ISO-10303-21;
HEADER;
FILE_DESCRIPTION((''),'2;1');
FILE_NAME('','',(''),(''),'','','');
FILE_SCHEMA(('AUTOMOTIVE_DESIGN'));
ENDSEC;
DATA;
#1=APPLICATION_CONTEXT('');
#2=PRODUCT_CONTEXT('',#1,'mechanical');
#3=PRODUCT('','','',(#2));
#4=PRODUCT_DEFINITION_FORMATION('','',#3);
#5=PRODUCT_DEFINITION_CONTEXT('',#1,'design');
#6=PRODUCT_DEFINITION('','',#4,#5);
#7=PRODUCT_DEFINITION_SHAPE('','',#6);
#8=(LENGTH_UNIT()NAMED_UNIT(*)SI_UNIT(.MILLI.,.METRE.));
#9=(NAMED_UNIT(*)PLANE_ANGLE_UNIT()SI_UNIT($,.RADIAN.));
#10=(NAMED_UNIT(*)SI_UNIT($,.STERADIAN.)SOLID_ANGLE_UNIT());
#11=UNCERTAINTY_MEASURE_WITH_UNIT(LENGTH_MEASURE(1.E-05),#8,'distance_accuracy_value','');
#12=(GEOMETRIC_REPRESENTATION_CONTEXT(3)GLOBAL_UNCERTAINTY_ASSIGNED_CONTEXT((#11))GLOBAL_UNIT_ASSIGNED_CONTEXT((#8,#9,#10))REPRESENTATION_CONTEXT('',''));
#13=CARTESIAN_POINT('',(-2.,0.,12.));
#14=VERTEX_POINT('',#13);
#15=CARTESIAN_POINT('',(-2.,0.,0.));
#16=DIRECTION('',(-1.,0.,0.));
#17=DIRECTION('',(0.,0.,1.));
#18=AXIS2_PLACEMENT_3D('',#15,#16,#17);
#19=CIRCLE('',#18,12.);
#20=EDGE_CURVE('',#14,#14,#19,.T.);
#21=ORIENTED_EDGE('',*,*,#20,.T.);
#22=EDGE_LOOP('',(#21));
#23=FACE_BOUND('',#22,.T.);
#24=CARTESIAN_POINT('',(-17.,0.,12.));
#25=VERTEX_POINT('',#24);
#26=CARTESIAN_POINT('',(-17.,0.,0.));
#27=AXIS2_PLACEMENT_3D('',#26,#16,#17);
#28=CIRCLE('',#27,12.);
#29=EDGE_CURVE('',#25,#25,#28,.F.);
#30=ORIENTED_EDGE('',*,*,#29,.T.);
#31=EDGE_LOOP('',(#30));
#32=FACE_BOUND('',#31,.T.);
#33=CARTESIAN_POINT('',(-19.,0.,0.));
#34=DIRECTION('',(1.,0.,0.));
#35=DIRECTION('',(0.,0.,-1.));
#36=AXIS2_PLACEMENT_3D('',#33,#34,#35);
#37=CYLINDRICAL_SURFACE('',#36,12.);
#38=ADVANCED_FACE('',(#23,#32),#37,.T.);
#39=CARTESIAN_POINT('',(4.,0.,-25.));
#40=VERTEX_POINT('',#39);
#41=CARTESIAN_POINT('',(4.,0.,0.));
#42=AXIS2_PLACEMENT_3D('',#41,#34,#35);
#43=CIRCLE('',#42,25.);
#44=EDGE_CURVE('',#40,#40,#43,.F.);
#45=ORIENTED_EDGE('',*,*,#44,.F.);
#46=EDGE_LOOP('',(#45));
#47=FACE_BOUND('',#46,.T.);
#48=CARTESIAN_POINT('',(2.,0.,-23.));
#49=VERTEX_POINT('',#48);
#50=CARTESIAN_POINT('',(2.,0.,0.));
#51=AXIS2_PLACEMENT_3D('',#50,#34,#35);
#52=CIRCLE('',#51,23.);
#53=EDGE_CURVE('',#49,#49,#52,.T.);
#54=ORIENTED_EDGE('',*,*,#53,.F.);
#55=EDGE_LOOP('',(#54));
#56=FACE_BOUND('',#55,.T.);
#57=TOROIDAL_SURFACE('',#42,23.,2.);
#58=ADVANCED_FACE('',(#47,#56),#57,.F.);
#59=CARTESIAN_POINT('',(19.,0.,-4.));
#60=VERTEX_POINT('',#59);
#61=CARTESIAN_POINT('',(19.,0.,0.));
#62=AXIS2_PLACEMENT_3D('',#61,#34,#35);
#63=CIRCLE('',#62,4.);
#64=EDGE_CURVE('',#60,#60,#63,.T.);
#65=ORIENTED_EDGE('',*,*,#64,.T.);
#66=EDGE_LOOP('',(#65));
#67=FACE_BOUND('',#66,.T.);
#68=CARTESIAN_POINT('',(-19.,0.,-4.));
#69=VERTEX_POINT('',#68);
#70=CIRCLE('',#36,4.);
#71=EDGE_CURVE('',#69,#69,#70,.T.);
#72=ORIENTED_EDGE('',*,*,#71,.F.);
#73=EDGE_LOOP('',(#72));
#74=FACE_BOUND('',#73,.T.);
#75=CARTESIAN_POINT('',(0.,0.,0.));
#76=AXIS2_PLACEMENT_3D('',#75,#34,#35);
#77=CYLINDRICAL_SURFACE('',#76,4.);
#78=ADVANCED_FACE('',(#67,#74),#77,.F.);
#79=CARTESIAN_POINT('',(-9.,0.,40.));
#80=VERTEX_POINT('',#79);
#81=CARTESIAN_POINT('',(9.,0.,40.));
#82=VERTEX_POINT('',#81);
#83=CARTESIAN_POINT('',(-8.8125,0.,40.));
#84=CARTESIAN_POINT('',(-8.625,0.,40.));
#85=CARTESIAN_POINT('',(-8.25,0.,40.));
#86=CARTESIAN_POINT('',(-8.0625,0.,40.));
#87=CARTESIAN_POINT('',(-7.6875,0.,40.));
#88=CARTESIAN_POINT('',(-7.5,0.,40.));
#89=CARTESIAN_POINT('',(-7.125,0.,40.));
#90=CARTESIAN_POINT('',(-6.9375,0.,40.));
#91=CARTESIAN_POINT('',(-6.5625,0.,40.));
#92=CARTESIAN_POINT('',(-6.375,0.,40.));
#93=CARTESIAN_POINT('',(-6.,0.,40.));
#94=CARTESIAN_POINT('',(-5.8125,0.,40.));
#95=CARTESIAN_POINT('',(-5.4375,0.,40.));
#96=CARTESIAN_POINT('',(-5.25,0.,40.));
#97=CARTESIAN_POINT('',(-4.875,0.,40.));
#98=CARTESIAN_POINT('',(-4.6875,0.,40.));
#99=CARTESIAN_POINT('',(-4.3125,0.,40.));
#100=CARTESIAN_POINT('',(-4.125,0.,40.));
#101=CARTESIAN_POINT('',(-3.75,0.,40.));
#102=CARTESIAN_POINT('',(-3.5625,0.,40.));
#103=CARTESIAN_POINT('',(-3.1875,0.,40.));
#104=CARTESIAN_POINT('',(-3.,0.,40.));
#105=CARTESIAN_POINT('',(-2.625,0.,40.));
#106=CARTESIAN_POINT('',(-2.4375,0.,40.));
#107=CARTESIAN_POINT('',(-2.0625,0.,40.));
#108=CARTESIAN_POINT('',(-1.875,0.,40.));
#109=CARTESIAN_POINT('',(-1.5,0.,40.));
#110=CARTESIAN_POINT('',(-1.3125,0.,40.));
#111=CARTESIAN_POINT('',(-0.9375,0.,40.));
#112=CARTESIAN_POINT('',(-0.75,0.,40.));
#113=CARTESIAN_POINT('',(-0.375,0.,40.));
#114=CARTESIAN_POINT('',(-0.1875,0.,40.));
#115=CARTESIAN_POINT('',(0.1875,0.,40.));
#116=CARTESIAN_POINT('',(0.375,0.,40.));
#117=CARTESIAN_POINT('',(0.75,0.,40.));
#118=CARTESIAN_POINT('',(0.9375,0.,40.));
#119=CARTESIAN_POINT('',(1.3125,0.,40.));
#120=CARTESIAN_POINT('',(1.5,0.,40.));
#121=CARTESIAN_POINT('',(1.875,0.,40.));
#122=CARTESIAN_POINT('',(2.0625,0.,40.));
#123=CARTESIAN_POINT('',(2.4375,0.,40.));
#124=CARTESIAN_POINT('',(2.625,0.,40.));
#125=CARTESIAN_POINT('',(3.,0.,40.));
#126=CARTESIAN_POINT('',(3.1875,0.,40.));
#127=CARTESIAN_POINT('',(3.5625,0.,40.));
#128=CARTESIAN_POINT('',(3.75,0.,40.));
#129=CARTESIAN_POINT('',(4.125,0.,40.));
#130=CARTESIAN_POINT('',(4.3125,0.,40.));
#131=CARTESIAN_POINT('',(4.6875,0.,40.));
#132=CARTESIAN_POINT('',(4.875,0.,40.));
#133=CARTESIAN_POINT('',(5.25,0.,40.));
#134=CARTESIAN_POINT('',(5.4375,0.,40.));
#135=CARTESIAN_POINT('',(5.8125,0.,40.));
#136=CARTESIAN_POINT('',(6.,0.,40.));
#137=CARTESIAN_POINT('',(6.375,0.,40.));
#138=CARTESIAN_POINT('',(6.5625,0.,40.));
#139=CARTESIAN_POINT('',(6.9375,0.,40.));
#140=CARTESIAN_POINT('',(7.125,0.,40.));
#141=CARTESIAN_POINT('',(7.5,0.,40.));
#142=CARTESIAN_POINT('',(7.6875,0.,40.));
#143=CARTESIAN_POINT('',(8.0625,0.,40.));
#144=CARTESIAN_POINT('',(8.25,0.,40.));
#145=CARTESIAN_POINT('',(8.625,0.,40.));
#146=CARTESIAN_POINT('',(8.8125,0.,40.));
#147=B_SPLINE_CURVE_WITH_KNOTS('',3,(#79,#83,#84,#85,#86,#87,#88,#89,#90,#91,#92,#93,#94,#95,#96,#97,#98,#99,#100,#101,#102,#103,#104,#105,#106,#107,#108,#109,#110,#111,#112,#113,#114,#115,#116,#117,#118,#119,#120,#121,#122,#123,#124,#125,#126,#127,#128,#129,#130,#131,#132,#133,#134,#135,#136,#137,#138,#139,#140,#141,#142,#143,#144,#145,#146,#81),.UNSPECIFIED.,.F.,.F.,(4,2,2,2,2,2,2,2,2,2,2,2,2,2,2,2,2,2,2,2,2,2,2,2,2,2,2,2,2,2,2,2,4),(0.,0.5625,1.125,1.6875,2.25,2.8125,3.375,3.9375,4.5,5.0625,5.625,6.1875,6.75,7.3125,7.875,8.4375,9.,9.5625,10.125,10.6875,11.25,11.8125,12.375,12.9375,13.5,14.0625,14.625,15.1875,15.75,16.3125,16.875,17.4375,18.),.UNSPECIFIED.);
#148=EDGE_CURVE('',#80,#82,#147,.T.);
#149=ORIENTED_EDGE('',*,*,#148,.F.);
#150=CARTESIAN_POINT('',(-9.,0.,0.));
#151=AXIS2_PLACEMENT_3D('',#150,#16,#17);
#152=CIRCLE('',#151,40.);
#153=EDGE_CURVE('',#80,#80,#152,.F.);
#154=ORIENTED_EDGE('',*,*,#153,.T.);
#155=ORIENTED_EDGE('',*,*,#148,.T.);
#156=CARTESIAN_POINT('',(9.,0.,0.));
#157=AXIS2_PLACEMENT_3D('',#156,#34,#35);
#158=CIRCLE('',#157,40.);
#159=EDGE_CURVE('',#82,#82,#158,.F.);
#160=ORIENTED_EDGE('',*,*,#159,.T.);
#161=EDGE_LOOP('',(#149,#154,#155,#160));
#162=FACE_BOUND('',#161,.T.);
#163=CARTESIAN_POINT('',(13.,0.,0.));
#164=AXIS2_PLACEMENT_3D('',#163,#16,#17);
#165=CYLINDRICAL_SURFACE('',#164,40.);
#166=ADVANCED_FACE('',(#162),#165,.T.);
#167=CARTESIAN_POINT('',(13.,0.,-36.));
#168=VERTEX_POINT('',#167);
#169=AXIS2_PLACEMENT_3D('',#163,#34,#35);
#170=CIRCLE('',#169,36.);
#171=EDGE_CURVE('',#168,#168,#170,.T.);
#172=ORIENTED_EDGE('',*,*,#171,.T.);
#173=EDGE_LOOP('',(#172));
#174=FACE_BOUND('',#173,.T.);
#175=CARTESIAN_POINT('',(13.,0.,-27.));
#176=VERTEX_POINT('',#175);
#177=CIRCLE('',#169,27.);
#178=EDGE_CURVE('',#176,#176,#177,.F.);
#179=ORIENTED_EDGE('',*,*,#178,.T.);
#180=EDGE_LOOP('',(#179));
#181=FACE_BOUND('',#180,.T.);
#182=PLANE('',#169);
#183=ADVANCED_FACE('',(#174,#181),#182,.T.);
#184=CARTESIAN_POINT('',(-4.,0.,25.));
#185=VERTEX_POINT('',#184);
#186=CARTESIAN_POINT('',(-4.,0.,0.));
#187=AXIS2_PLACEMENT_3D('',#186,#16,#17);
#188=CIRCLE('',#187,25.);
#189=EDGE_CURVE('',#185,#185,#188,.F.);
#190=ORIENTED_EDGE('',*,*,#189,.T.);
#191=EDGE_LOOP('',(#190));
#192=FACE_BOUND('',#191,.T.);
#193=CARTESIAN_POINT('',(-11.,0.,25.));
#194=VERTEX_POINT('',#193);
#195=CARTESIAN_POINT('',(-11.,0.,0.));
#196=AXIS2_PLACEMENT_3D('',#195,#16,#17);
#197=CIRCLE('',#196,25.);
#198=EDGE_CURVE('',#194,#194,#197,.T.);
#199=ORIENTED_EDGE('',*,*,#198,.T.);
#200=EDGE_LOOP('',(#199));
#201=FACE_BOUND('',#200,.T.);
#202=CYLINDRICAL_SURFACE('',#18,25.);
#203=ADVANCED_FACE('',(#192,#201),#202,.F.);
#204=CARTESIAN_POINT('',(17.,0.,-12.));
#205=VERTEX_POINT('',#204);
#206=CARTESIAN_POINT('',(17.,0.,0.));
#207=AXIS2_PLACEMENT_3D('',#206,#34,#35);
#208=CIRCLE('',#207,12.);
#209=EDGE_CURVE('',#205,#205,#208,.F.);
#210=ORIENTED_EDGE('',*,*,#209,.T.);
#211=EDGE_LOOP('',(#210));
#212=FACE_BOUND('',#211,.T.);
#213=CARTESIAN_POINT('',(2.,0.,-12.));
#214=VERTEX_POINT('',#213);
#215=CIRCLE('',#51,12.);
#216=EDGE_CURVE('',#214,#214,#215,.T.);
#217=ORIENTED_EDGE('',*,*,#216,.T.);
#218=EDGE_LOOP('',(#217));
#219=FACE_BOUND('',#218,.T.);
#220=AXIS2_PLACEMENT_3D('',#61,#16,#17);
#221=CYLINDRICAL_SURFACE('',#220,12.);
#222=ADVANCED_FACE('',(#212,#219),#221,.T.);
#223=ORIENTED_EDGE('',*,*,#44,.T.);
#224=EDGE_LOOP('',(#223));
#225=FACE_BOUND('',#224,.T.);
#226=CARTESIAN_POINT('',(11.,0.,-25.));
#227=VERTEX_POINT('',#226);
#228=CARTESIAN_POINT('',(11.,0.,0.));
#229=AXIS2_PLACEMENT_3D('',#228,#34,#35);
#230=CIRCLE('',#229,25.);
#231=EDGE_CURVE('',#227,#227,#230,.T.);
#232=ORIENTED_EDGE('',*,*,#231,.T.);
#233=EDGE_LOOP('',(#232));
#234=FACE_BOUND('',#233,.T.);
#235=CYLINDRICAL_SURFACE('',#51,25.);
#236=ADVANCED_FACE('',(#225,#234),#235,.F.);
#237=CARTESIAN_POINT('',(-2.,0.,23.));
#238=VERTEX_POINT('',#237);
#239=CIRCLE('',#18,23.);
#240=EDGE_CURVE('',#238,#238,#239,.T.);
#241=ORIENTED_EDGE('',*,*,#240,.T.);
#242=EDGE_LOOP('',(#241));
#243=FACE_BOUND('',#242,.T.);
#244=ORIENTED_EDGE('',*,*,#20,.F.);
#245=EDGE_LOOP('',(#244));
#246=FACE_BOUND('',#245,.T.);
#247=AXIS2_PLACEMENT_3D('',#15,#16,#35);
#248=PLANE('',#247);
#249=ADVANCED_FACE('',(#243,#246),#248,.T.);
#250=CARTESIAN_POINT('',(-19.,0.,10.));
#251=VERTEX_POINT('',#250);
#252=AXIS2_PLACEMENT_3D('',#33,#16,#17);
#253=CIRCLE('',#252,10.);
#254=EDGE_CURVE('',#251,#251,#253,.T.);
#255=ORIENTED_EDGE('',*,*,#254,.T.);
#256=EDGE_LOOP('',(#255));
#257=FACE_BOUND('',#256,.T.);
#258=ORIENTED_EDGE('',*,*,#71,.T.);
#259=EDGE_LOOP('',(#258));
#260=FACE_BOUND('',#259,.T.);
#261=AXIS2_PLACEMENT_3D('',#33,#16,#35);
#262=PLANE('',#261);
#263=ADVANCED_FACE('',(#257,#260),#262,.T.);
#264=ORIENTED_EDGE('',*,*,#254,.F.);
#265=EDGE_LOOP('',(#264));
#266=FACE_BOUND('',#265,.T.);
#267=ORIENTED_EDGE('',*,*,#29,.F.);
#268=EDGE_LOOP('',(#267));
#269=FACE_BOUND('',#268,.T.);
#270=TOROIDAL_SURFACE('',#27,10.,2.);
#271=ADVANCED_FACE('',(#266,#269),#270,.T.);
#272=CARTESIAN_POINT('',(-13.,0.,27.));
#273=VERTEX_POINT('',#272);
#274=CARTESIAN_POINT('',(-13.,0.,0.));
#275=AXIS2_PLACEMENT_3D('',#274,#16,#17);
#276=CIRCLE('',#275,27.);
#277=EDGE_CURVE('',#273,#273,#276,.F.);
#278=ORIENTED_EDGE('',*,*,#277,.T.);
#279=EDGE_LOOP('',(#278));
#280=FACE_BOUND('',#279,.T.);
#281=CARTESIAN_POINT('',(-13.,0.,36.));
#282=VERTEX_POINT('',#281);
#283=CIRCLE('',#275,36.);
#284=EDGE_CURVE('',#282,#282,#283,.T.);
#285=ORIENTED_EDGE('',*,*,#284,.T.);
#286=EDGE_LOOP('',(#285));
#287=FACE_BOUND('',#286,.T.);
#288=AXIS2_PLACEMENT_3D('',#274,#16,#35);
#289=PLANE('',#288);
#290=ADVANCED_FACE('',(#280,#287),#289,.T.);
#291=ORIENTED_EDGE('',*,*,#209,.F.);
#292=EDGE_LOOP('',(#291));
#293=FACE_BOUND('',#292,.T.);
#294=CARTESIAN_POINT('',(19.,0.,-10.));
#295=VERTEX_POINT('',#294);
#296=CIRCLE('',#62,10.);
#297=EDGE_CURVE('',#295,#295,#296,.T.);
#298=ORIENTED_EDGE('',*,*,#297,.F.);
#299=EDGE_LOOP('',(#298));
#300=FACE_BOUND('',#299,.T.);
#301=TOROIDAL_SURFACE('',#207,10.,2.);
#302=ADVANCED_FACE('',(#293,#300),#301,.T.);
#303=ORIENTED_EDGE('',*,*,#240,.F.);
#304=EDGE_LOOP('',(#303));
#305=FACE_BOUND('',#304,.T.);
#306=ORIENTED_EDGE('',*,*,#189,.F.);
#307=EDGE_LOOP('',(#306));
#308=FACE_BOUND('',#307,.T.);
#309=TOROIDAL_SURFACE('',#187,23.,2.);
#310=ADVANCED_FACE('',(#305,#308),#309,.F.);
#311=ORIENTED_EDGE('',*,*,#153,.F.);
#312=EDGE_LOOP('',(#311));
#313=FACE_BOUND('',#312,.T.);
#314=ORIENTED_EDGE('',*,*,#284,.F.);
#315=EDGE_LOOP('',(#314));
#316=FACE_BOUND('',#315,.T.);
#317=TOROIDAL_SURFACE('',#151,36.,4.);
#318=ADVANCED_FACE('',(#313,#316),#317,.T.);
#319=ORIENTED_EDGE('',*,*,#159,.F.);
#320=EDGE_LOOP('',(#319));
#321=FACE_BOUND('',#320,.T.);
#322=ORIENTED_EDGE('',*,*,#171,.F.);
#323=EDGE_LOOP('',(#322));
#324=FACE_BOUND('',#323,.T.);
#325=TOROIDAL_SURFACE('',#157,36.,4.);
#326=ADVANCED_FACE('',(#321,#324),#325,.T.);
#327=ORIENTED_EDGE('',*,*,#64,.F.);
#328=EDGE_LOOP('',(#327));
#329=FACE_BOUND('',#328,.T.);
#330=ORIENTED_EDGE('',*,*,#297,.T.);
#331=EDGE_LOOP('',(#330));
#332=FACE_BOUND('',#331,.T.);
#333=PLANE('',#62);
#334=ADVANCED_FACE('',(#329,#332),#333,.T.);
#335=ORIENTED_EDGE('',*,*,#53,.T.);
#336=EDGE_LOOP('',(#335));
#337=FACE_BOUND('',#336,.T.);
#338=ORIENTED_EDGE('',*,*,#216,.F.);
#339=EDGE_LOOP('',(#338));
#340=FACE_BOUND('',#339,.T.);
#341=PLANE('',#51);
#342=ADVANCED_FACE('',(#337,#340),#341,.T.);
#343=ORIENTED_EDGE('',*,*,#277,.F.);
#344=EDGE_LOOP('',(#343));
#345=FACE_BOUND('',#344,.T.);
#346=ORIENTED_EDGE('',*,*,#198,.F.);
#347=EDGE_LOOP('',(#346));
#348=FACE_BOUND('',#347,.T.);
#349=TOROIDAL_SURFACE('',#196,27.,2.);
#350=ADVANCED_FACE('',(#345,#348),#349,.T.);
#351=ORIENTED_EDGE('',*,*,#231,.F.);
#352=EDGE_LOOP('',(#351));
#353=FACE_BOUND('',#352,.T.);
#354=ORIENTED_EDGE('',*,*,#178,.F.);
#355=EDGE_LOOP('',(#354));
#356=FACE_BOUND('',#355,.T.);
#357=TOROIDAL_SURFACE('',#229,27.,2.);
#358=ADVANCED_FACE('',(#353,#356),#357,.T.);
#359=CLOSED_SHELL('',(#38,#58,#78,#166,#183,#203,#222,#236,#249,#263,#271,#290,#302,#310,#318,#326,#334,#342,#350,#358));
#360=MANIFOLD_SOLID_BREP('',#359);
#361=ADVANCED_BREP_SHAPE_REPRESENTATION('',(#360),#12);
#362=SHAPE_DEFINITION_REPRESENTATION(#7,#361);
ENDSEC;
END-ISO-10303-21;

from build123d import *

# Parameters (mm, degrees)
SKETCH1_R            = 40
BOSS_EXTRUDE1_DEPTH  = 13
SKETCH2_R            = 25
CUT_EXTRUDE1_DEPTH   = 11
SKETCH3_R            = 12
BOSS_EXTRUDE2_DEPTH  = 17
SKETCH4_R            = 4
CUT_EXTRUDE2_DEPTH   = 60.674114991
FILLET1_R            = 2
FILLET2_R            = 4
FILLET1_OF_MIRROR2_R = 2
FILLET2_OF_MIRROR2_R = 4


with BuildPart() as part:
    # Sketch1 → Boss-Extrude1 (new body)
    with BuildSketch(Plane(origin=(0, 0, 0), x_dir=(0, 0, -1), z_dir=(1, 0, 0))):
        with Locations(Location((0, 0, 0), (0, 0, 180))):
            Circle(SKETCH1_R)
    boss_extrude1 = extrude(amount=BOSS_EXTRUDE1_DEPTH)

    # Sketch2 → Cut-Extrude1 (cut)
    with BuildSketch(Plane(origin=(13, 0, 0), x_dir=(0, 0, -1), z_dir=(1, 0, 0))):
        Circle(SKETCH2_R)
    cut_extrude1 = extrude(amount=-CUT_EXTRUDE1_DEPTH, mode=Mode.SUBTRACT)

    # Sketch3 → Boss-Extrude2 (add)
    with BuildSketch(Plane(origin=(2, 0, 0), x_dir=(0, 0, -1), z_dir=(1, 0, 0))):
        Circle(SKETCH3_R)
    boss_extrude2 = extrude(amount=BOSS_EXTRUDE2_DEPTH)

    # Sketch4 → Cut-Extrude2 (cut, through all)
    with BuildSketch(Plane(origin=(19, 0, 0), x_dir=(0, 0, -1), z_dir=(1, 0, 0))):
        Circle(SKETCH4_R)
    cut_extrude2 = extrude(amount=-CUT_EXTRUDE2_DEPTH, mode=Mode.SUBTRACT)

    # Fillet1
    fillet1_edges = [part.edges().sort_by_distance(p)[0] for p in [
        (19, 0, 12),
        (2, 0, 25),
        (13, 0, 25),
    ]]
    fillet(fillet1_edges, radius=FILLET1_R)

    # Fillet2
    fillet2_edges = [part.edges().sort_by_distance(p)[0] for p in [
        (13, 0, -40),
    ]]
    fillet(fillet2_edges, radius=FILLET2_R)

    # Mirror2: Boss-Extrude1, Cut-Extrude1, Boss-Extrude2, Cut-Extrude2 across plane
    add(boss_extrude1.mirror(Plane(origin=(0, 0, 0), x_dir=(0, 0, 1), z_dir=(1, 0, 0))))
    add(cut_extrude1.mirror(Plane(origin=(0, 0, 0), x_dir=(0, 0, 1), z_dir=(1, 0, 0))), mode=Mode.SUBTRACT)
    add(boss_extrude2.mirror(Plane(origin=(0, 0, 0), x_dir=(0, 0, 1), z_dir=(1, 0, 0))))
    add(cut_extrude2.mirror(Plane(origin=(0, 0, 0), x_dir=(0, 0, 1), z_dir=(1, 0, 0))), mode=Mode.SUBTRACT)

    # Fillet1 of Mirror2
    fillet1_of_mirror2_edges = [part.edges().sort_by_distance(p)[0] for p in [
        (-19, 0, 12),
        (-2, 0, 25),
        (-13, 0, 25),
    ]]
    fillet(fillet1_of_mirror2_edges, radius=FILLET1_OF_MIRROR2_R)

    # Fillet2 of Mirror2
    fillet2_of_mirror2_edges = [part.edges().sort_by_distance(p)[0] for p in [
        (-13, 0, -40),
    ]]
    fillet(fillet2_of_mirror2_edges, radius=FILLET2_OF_MIRROR2_R)


solid = part.part
